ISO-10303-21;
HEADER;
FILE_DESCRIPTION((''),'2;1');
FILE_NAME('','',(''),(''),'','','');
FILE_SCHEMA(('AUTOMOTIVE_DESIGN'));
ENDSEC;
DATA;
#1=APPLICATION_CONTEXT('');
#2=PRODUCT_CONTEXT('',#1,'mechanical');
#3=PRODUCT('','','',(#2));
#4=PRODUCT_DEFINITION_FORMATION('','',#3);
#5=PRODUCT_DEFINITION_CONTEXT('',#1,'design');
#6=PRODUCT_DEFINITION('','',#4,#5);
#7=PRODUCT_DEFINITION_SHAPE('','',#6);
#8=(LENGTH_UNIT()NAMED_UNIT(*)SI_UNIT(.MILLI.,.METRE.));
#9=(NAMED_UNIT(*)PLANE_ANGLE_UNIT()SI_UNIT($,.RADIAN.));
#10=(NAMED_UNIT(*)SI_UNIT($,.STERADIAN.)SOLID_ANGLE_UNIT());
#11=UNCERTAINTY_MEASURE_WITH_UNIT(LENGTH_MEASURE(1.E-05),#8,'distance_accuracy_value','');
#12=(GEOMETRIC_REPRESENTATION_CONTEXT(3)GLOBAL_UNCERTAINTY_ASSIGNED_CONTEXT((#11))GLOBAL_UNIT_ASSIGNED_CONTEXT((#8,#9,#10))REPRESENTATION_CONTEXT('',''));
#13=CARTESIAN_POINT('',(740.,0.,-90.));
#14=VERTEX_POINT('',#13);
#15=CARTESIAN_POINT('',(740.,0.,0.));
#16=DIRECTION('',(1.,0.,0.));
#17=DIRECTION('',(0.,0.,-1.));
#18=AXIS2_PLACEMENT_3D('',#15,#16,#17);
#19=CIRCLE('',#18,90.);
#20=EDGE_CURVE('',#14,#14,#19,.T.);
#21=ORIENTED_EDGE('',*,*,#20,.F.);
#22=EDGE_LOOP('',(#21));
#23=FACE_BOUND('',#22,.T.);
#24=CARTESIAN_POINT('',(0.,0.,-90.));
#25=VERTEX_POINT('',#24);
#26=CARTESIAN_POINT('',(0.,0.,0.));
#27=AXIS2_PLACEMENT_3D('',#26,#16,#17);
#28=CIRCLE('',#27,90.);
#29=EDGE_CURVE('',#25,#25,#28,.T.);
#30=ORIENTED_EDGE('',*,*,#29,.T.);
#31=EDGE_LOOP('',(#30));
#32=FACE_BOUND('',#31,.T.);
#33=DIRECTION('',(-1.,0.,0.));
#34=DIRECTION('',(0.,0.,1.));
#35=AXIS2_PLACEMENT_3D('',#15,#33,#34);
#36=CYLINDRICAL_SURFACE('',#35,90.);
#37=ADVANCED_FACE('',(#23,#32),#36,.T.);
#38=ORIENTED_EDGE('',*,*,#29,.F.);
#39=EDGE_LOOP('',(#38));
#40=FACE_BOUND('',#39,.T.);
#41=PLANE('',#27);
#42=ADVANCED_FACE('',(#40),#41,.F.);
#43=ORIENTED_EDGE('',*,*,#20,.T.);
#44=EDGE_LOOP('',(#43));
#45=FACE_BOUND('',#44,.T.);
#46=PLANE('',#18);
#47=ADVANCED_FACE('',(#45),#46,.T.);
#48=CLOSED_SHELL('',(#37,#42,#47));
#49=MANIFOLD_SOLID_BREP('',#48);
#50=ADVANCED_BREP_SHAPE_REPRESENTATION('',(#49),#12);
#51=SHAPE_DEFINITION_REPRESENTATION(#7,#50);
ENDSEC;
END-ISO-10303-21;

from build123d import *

# Parameters (mm, degrees)
ESQUISSE1_R        = 90
BOSS_EXTRU_1_DEPTH = 740


with BuildPart() as part:
    # Esquisse1 → Boss.-Extru.1 (new body)
    with BuildSketch(Plane(origin=(0, 0, 0), x_dir=(0, 0, -1), z_dir=(1, 0, 0))):
        Circle(ESQUISSE1_R)
    extrude(amount=BOSS_EXTRU_1_DEPTH)


solid = part.part
